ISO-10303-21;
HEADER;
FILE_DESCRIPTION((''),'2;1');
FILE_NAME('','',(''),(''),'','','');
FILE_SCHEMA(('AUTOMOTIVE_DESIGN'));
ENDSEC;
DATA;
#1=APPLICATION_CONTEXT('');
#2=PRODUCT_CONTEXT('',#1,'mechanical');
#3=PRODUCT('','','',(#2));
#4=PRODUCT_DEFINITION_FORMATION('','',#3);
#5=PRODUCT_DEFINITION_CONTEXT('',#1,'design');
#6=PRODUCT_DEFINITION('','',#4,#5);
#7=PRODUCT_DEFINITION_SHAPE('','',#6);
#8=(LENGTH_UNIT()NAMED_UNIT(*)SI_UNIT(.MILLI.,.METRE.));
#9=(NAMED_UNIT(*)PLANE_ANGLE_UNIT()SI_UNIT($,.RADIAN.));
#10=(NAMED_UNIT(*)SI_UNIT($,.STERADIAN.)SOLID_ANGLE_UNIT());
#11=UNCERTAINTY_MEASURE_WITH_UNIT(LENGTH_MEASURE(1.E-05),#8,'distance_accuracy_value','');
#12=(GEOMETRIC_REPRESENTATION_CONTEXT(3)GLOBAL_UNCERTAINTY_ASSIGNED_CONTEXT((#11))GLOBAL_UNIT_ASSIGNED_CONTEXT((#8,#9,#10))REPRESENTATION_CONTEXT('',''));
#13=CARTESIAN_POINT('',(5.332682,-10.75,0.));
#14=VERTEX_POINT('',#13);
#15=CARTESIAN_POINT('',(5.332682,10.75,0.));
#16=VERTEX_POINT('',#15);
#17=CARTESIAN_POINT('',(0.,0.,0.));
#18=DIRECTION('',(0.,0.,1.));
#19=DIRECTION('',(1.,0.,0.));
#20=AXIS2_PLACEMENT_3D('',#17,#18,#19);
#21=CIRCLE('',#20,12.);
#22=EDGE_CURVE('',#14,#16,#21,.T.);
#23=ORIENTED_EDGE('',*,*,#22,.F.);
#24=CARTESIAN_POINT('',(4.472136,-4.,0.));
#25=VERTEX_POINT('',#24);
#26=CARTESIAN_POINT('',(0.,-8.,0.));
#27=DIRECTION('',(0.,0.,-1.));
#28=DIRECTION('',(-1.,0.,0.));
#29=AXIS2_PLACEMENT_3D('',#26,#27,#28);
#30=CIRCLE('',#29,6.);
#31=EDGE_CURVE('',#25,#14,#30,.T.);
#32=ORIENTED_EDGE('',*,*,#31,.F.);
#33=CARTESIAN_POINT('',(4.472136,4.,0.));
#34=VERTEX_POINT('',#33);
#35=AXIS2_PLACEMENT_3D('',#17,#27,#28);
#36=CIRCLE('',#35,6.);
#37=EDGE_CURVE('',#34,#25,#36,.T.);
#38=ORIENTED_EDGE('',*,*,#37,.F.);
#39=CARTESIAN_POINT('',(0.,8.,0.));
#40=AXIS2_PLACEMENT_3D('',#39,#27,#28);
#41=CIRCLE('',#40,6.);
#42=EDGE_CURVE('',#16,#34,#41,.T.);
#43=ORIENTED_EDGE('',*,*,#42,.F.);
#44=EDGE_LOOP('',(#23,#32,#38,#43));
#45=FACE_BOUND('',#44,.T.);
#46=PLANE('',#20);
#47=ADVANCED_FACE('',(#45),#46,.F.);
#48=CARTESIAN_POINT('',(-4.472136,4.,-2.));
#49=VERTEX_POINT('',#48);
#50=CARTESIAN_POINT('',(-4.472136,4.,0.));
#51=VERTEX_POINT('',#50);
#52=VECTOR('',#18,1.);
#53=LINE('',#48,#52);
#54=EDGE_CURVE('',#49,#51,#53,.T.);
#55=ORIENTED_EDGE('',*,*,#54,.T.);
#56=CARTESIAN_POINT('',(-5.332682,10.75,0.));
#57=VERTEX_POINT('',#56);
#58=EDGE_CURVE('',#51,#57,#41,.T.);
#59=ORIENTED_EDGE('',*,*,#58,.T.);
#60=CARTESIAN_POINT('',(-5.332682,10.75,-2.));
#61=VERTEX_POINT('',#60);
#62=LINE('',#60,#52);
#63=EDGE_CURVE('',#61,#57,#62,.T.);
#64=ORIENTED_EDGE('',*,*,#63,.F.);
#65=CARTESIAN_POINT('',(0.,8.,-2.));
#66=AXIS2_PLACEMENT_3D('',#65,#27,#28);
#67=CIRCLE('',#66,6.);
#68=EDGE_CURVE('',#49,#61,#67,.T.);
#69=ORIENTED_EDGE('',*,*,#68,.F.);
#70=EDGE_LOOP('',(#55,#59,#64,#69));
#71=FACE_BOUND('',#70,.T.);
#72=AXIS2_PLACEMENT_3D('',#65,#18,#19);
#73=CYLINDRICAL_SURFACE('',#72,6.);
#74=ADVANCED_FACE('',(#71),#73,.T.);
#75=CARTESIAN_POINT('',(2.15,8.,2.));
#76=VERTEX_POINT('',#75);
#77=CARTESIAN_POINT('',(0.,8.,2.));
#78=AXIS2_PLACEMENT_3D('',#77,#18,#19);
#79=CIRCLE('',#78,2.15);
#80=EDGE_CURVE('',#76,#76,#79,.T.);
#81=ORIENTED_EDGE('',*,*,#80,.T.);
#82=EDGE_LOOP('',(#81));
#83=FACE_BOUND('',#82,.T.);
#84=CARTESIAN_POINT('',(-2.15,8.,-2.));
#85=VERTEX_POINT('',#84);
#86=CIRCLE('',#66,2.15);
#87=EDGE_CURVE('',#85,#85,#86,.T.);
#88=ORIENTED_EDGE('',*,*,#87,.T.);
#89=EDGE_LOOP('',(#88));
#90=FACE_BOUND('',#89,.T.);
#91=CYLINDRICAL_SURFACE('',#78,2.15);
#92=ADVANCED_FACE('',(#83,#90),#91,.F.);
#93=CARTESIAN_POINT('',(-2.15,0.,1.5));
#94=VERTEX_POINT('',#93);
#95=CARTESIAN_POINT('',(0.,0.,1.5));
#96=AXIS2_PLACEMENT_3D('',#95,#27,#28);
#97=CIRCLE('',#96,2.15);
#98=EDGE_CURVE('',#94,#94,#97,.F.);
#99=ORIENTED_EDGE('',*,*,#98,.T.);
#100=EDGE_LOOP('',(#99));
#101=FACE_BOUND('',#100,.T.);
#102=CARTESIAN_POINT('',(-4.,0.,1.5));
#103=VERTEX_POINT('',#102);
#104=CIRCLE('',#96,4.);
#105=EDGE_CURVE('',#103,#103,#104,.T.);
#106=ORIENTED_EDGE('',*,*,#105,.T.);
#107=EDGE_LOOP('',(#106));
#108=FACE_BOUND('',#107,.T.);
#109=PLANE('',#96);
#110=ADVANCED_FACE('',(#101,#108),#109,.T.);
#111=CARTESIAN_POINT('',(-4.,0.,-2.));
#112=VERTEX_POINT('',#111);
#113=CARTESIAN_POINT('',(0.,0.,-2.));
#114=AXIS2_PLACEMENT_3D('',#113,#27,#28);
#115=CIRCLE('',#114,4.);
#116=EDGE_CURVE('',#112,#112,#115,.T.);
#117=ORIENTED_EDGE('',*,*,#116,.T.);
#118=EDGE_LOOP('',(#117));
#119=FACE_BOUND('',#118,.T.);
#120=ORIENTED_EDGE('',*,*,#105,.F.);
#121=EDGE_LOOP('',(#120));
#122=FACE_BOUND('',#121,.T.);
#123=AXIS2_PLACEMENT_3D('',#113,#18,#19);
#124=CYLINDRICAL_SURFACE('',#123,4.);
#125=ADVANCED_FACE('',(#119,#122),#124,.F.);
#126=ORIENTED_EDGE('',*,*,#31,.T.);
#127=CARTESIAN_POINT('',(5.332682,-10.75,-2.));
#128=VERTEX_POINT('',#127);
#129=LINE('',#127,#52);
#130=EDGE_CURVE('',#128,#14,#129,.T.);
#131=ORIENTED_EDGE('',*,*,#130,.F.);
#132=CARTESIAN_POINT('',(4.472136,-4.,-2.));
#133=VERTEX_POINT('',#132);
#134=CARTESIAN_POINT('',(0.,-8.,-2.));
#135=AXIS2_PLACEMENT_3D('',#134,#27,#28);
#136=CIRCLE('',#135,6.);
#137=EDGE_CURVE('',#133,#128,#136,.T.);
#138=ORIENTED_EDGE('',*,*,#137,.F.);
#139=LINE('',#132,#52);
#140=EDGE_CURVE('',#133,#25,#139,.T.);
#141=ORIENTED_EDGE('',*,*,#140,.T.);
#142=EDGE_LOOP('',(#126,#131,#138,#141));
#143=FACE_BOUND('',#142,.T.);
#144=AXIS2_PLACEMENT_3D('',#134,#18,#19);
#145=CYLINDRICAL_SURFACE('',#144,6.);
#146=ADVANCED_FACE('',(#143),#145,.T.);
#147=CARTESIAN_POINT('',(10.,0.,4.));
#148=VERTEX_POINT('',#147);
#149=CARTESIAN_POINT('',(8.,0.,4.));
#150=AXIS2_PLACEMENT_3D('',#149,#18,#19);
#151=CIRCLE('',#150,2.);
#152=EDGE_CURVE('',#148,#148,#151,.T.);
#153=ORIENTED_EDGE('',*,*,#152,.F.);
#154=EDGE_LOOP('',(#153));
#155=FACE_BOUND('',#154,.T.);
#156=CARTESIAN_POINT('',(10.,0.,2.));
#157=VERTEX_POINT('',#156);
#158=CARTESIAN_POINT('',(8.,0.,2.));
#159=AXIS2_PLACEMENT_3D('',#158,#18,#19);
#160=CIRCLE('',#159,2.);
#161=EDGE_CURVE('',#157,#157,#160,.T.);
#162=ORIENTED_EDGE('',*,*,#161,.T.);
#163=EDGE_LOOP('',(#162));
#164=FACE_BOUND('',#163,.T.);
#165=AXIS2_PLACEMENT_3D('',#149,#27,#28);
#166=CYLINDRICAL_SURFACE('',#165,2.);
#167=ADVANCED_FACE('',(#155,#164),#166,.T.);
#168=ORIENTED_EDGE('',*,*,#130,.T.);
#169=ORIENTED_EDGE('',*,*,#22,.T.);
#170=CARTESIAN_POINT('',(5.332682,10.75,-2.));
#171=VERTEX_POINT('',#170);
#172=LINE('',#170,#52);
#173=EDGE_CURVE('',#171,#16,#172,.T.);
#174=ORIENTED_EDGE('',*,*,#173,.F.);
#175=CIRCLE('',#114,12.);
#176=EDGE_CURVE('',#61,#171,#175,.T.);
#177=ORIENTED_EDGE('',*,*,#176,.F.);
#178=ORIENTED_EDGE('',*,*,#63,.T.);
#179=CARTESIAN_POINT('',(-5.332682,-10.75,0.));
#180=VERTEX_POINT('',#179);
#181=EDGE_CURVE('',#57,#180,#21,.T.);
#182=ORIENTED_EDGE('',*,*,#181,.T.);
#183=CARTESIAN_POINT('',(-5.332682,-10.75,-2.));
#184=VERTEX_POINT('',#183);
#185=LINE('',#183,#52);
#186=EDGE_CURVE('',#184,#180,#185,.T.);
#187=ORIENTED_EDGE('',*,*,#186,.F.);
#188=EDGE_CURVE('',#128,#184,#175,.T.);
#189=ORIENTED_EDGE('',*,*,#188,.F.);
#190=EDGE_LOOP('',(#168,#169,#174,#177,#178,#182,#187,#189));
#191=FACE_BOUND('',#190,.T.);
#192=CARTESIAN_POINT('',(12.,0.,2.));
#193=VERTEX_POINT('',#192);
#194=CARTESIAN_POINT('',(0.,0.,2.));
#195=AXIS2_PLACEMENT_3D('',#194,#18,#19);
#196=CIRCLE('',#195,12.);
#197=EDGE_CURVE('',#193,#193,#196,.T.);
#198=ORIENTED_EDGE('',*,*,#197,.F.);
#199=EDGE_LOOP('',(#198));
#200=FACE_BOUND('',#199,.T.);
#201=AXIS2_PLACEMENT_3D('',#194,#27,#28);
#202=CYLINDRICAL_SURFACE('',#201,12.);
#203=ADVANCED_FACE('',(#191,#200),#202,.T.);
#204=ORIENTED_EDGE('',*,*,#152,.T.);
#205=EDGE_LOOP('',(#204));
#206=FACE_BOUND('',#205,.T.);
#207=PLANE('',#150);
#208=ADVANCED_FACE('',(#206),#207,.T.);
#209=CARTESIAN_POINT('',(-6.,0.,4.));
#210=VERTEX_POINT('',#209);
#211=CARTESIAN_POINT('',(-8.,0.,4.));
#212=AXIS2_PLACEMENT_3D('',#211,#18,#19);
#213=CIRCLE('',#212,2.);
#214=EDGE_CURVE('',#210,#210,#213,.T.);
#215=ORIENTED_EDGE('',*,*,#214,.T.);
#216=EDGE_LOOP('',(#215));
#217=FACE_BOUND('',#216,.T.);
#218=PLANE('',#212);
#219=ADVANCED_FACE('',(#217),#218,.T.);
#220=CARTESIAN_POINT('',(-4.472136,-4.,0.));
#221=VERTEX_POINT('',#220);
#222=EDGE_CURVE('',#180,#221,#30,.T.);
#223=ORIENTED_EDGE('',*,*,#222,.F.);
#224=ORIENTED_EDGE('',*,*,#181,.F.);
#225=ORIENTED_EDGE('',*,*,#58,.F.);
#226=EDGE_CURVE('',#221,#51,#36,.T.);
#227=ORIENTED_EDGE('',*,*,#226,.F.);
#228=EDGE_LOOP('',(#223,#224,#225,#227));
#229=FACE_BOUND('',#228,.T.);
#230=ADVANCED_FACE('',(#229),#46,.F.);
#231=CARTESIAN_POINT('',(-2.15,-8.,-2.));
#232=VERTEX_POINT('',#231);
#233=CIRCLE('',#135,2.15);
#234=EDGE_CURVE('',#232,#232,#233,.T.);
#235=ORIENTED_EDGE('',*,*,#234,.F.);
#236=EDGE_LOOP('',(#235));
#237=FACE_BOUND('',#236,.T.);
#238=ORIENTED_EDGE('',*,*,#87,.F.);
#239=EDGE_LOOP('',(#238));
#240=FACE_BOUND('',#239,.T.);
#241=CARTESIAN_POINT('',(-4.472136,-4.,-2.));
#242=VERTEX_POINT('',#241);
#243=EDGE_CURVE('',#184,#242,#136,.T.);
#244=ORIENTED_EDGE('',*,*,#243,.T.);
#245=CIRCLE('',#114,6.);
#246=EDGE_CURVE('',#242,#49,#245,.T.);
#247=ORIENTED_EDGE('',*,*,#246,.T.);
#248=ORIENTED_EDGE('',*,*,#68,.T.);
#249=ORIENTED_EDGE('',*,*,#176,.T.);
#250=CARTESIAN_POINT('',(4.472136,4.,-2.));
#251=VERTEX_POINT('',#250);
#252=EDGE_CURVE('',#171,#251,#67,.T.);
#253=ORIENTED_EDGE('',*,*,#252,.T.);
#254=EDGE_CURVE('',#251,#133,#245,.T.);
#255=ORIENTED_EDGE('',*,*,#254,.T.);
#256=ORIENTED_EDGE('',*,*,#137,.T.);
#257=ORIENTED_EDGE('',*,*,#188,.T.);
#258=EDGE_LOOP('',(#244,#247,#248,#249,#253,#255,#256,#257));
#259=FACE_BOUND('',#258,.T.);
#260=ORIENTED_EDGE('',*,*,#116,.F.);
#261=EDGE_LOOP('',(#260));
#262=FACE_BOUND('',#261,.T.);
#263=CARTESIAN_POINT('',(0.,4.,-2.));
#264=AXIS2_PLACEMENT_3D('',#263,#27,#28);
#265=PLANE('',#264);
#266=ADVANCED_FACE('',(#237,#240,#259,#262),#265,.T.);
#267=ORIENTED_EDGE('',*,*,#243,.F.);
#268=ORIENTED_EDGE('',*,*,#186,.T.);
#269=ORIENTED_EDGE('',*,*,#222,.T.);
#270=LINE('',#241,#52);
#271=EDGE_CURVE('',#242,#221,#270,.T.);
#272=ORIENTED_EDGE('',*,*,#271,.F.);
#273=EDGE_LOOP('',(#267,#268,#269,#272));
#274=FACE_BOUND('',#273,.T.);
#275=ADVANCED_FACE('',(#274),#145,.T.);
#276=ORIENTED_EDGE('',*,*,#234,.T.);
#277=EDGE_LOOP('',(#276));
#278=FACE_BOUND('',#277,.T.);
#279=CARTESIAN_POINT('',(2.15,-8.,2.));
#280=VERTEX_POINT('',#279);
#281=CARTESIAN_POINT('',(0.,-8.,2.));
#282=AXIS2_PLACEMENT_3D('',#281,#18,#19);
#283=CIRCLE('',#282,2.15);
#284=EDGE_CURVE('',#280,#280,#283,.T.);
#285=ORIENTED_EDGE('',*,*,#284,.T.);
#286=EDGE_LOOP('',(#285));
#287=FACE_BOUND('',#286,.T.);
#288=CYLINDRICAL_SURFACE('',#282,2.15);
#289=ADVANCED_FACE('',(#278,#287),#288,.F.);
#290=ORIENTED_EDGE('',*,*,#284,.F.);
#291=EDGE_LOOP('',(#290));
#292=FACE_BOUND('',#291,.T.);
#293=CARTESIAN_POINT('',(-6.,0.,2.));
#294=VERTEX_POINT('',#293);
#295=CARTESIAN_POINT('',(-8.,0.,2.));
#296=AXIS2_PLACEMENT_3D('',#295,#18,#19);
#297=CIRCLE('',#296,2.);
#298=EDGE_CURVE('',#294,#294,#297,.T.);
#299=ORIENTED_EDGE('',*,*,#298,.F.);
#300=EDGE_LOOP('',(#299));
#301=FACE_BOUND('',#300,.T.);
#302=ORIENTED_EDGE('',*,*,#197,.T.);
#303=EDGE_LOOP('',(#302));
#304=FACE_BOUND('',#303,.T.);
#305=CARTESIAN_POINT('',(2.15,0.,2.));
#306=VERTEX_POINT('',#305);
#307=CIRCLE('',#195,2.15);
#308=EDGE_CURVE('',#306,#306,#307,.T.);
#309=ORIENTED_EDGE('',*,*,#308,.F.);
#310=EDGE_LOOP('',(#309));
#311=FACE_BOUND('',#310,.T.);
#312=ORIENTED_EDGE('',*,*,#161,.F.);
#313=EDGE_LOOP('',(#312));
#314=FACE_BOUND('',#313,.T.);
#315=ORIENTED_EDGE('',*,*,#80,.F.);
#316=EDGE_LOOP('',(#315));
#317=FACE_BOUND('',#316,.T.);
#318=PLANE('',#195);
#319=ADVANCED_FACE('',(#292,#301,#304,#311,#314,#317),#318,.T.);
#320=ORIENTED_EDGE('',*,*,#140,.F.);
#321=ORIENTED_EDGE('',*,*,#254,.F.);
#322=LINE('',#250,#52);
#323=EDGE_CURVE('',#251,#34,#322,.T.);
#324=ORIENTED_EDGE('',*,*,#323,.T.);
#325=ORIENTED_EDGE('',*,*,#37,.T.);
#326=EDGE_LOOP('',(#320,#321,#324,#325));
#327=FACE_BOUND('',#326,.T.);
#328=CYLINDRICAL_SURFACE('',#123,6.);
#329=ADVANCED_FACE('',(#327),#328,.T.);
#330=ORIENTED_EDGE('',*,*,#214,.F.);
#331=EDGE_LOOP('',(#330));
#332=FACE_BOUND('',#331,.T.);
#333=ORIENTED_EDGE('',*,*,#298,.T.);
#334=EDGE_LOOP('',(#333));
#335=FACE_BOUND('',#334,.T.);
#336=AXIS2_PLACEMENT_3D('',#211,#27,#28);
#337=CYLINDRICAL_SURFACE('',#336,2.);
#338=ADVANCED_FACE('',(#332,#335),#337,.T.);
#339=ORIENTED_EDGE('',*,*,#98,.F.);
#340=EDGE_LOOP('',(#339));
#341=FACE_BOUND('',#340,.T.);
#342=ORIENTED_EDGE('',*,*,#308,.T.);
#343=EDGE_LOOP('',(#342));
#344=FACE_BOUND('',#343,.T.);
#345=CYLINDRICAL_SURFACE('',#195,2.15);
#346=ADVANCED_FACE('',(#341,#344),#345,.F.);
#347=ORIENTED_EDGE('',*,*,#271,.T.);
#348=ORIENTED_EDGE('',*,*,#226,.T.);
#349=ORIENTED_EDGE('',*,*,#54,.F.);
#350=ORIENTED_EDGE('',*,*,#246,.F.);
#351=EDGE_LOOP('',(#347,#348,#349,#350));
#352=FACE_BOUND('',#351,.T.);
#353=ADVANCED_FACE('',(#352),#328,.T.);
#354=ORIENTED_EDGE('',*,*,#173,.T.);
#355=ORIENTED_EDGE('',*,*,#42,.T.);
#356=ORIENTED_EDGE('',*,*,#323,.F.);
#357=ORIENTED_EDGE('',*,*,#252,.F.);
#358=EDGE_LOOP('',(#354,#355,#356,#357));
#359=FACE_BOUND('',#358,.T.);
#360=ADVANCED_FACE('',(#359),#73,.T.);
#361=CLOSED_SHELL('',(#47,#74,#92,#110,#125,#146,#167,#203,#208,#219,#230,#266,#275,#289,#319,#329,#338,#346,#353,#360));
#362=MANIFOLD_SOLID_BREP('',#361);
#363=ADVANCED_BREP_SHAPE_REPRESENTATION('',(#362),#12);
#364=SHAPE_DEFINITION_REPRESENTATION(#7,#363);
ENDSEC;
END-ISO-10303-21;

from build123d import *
from build123d.topology import SkipClean

# Parameters (mm, degrees)
SKETCH1_R                  = 12
BOSS_EXTRUDE1_DEPTH        = 2
SKETCH2_R                  = 2
BOSS_EXTRUDE2_DEPTH        = 2
F_4_3_4_3_DIAMETER_HOLE1_D = 4.3
BOSS_EXTRUDE3_START        = 2
SKETCH5_R                  = 2.15
SKETCH5_R_2                = 4
BOSS_EXTRUDE3_DEPTH        = 2
SKETCH6_R                  = 4
CUT_EXTRUDE1_DEPTH         = 1.5


with BuildPart() as part:
    # Sketch1 → Boss-Extrude1 (new body)
    with BuildSketch(Plane.XY):
        Circle(SKETCH1_R)
    extrude(amount=BOSS_EXTRUDE1_DEPTH)

    # Sketch2 → Boss-Extrude2 (add)
    with BuildSketch(Plane.XY.offset(2)):
        with Locations((-8, 0)):
            Circle(SKETCH2_R)
        with Locations((8, 0)):
            Circle(SKETCH2_R)
    extrude(amount=BOSS_EXTRUDE2_DEPTH)

    # Ø4.3 (4.3) Diameter Hole1 (through all)
    with Locations(Plane.XY.offset(2)):
        with Locations((0, 8), (0, 0), (0, -8)):
            Hole(F_4_3_4_3_DIAMETER_HOLE1_D / 2)

    # Sketch5 → Boss-Extrude3 (add)
    with SkipClean():  # the faces are left unmerged after this step: merging them gives an invalid solid
        with BuildSketch(Plane(origin=(0, 0, 0), x_dir=(-1, 0, 0), z_dir=(0, 0, -1)).offset(BOSS_EXTRUDE3_START)):
            with BuildLine():
                ThreePointArc((4.472135955, -4), (6, 0), (4.472135955, 4))
                ThreePointArc((4.472135955, 4), (5.951826612, 7.241211504), (5.332682252, 10.75))
                ThreePointArc((5.332682252, 10.75), (0, 12), (-5.332682252, 10.75))
                ThreePointArc((-5.332682252, 10.75), (-5.951826612, 7.241211504), (-4.472135955, 4))
                ThreePointArc((-4.472135955, 4), (-6, 0), (-4.472135955, -4))
                ThreePointArc((-4.472135955, -4), (-5.951826612, -7.241211504), (-5.332682252, -10.75))
                ThreePointArc((-5.332682252, -10.75), (0, -12), (5.332682252, -10.75))
                ThreePointArc((5.332682252, -10.75), (5.951826612, -7.241211504), (4.472135955, -4))
            make_face()
            with Locations(Location((0, 8, 0), (0, 0, 180))):
                Circle(SKETCH5_R, mode=Mode.SUBTRACT)
            with Locations(Location((0, -8, 0), (0, 0, 180))):
                Circle(SKETCH5_R, mode=Mode.SUBTRACT)
            Circle(SKETCH5_R_2, mode=Mode.SUBTRACT)
        extrude(amount=-BOSS_EXTRUDE3_DEPTH)

    # Sketch6 → Cut-Extrude1 (cut)
    with SkipClean():  # the faces are left unmerged after this step: merging them gives an invalid solid
        with BuildSketch(Plane(origin=(0, 0, 0), x_dir=(-1, 0, 0), z_dir=(0, 0, -1))):
            Circle(SKETCH6_R)
        extrude(amount=-CUT_EXTRUDE1_DEPTH, mode=Mode.SUBTRACT)


solid = part.part
